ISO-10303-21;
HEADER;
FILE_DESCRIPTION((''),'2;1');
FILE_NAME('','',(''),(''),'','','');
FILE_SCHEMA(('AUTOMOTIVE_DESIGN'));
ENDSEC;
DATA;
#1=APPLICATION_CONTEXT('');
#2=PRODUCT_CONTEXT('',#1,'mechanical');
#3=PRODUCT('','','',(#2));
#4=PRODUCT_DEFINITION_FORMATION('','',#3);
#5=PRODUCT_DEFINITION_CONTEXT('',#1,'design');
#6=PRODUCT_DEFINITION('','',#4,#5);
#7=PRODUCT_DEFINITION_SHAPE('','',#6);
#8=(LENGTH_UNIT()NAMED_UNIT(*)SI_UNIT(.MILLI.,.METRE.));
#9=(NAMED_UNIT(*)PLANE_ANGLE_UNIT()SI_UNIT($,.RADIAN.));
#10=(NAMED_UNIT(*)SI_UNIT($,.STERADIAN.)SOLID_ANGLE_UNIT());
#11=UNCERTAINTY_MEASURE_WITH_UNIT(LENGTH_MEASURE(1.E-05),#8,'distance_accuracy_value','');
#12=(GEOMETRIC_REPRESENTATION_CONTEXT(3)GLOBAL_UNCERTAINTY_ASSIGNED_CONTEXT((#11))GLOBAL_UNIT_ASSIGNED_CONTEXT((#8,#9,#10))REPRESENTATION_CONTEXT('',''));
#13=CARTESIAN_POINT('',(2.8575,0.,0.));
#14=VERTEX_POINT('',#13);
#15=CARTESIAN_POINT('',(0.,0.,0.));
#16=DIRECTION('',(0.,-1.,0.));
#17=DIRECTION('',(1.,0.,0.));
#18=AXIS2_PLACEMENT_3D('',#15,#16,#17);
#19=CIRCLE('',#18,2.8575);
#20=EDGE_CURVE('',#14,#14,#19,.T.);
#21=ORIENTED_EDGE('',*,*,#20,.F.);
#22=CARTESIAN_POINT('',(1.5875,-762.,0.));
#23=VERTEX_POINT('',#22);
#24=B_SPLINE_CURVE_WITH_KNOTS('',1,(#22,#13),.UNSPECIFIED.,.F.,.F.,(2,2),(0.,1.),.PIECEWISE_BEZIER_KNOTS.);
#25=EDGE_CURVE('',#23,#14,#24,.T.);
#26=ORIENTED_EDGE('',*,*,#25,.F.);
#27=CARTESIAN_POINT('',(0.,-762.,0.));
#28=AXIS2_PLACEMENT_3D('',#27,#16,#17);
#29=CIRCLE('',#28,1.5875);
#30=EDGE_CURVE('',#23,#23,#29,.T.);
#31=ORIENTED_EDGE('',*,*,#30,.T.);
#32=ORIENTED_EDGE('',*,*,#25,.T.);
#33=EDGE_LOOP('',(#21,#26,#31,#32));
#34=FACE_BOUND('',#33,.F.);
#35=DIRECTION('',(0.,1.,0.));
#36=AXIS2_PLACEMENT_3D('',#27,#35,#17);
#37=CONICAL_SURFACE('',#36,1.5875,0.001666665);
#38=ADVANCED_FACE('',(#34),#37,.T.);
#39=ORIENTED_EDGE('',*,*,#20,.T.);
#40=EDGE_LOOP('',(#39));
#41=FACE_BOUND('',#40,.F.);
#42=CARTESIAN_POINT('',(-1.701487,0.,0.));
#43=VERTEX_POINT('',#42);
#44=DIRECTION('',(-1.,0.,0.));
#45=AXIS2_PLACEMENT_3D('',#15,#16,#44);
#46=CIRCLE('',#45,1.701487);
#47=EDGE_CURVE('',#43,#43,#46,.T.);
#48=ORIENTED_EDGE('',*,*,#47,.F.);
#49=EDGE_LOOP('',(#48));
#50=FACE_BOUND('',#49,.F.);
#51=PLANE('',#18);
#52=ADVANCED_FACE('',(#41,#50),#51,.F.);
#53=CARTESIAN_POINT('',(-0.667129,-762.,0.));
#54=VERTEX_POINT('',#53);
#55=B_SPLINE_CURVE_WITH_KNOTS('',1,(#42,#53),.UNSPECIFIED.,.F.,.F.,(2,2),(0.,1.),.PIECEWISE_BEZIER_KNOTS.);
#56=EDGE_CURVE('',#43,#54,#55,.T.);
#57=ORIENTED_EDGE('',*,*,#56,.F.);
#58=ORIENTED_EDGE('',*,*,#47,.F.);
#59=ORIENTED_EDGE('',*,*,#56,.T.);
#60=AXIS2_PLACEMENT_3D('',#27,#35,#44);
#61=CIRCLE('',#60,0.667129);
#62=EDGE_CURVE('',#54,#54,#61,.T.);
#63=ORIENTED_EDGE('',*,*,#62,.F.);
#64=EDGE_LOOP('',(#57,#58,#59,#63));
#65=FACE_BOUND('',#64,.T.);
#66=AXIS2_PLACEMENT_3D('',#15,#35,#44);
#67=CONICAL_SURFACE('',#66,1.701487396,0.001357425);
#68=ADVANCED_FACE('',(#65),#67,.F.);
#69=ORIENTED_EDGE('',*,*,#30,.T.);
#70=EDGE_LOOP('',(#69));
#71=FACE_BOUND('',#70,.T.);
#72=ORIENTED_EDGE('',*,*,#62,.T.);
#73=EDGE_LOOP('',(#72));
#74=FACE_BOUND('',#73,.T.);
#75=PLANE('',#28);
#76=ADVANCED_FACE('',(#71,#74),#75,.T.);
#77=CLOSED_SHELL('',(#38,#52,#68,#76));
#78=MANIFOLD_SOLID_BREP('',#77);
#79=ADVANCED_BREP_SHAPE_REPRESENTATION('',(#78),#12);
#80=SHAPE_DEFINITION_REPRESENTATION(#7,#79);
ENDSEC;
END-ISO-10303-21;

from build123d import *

# Parameters (mm, degrees)
F2_R = 1.5875
F0_R = 2.8575
F5_R = 1.701487396
F4_R = 0.6671291727


with BuildPart() as f3:
    # F2 (on offset) → F3 section 0
    with BuildSketch(Plane.XZ.offset(762)):
        Circle(F2_R)
    # F0 (on Front) → F3 section 1
    with BuildSketch(Plane.XZ):
        Circle(F0_R)
    loft()

    # F5 (on face) → F6 section 0
    with BuildSketch(Plane(origin=(0, 0, 0), x_dir=(-1, 0, 0), z_dir=(0, 1, 0))):
        Circle(F5_R)
    # F4 (on face) → F6 section 1
    with BuildSketch(Plane.XZ.offset(762)):
        Circle(F4_R)
    loft(mode=Mode.SUBTRACT)


solid = f3.part
